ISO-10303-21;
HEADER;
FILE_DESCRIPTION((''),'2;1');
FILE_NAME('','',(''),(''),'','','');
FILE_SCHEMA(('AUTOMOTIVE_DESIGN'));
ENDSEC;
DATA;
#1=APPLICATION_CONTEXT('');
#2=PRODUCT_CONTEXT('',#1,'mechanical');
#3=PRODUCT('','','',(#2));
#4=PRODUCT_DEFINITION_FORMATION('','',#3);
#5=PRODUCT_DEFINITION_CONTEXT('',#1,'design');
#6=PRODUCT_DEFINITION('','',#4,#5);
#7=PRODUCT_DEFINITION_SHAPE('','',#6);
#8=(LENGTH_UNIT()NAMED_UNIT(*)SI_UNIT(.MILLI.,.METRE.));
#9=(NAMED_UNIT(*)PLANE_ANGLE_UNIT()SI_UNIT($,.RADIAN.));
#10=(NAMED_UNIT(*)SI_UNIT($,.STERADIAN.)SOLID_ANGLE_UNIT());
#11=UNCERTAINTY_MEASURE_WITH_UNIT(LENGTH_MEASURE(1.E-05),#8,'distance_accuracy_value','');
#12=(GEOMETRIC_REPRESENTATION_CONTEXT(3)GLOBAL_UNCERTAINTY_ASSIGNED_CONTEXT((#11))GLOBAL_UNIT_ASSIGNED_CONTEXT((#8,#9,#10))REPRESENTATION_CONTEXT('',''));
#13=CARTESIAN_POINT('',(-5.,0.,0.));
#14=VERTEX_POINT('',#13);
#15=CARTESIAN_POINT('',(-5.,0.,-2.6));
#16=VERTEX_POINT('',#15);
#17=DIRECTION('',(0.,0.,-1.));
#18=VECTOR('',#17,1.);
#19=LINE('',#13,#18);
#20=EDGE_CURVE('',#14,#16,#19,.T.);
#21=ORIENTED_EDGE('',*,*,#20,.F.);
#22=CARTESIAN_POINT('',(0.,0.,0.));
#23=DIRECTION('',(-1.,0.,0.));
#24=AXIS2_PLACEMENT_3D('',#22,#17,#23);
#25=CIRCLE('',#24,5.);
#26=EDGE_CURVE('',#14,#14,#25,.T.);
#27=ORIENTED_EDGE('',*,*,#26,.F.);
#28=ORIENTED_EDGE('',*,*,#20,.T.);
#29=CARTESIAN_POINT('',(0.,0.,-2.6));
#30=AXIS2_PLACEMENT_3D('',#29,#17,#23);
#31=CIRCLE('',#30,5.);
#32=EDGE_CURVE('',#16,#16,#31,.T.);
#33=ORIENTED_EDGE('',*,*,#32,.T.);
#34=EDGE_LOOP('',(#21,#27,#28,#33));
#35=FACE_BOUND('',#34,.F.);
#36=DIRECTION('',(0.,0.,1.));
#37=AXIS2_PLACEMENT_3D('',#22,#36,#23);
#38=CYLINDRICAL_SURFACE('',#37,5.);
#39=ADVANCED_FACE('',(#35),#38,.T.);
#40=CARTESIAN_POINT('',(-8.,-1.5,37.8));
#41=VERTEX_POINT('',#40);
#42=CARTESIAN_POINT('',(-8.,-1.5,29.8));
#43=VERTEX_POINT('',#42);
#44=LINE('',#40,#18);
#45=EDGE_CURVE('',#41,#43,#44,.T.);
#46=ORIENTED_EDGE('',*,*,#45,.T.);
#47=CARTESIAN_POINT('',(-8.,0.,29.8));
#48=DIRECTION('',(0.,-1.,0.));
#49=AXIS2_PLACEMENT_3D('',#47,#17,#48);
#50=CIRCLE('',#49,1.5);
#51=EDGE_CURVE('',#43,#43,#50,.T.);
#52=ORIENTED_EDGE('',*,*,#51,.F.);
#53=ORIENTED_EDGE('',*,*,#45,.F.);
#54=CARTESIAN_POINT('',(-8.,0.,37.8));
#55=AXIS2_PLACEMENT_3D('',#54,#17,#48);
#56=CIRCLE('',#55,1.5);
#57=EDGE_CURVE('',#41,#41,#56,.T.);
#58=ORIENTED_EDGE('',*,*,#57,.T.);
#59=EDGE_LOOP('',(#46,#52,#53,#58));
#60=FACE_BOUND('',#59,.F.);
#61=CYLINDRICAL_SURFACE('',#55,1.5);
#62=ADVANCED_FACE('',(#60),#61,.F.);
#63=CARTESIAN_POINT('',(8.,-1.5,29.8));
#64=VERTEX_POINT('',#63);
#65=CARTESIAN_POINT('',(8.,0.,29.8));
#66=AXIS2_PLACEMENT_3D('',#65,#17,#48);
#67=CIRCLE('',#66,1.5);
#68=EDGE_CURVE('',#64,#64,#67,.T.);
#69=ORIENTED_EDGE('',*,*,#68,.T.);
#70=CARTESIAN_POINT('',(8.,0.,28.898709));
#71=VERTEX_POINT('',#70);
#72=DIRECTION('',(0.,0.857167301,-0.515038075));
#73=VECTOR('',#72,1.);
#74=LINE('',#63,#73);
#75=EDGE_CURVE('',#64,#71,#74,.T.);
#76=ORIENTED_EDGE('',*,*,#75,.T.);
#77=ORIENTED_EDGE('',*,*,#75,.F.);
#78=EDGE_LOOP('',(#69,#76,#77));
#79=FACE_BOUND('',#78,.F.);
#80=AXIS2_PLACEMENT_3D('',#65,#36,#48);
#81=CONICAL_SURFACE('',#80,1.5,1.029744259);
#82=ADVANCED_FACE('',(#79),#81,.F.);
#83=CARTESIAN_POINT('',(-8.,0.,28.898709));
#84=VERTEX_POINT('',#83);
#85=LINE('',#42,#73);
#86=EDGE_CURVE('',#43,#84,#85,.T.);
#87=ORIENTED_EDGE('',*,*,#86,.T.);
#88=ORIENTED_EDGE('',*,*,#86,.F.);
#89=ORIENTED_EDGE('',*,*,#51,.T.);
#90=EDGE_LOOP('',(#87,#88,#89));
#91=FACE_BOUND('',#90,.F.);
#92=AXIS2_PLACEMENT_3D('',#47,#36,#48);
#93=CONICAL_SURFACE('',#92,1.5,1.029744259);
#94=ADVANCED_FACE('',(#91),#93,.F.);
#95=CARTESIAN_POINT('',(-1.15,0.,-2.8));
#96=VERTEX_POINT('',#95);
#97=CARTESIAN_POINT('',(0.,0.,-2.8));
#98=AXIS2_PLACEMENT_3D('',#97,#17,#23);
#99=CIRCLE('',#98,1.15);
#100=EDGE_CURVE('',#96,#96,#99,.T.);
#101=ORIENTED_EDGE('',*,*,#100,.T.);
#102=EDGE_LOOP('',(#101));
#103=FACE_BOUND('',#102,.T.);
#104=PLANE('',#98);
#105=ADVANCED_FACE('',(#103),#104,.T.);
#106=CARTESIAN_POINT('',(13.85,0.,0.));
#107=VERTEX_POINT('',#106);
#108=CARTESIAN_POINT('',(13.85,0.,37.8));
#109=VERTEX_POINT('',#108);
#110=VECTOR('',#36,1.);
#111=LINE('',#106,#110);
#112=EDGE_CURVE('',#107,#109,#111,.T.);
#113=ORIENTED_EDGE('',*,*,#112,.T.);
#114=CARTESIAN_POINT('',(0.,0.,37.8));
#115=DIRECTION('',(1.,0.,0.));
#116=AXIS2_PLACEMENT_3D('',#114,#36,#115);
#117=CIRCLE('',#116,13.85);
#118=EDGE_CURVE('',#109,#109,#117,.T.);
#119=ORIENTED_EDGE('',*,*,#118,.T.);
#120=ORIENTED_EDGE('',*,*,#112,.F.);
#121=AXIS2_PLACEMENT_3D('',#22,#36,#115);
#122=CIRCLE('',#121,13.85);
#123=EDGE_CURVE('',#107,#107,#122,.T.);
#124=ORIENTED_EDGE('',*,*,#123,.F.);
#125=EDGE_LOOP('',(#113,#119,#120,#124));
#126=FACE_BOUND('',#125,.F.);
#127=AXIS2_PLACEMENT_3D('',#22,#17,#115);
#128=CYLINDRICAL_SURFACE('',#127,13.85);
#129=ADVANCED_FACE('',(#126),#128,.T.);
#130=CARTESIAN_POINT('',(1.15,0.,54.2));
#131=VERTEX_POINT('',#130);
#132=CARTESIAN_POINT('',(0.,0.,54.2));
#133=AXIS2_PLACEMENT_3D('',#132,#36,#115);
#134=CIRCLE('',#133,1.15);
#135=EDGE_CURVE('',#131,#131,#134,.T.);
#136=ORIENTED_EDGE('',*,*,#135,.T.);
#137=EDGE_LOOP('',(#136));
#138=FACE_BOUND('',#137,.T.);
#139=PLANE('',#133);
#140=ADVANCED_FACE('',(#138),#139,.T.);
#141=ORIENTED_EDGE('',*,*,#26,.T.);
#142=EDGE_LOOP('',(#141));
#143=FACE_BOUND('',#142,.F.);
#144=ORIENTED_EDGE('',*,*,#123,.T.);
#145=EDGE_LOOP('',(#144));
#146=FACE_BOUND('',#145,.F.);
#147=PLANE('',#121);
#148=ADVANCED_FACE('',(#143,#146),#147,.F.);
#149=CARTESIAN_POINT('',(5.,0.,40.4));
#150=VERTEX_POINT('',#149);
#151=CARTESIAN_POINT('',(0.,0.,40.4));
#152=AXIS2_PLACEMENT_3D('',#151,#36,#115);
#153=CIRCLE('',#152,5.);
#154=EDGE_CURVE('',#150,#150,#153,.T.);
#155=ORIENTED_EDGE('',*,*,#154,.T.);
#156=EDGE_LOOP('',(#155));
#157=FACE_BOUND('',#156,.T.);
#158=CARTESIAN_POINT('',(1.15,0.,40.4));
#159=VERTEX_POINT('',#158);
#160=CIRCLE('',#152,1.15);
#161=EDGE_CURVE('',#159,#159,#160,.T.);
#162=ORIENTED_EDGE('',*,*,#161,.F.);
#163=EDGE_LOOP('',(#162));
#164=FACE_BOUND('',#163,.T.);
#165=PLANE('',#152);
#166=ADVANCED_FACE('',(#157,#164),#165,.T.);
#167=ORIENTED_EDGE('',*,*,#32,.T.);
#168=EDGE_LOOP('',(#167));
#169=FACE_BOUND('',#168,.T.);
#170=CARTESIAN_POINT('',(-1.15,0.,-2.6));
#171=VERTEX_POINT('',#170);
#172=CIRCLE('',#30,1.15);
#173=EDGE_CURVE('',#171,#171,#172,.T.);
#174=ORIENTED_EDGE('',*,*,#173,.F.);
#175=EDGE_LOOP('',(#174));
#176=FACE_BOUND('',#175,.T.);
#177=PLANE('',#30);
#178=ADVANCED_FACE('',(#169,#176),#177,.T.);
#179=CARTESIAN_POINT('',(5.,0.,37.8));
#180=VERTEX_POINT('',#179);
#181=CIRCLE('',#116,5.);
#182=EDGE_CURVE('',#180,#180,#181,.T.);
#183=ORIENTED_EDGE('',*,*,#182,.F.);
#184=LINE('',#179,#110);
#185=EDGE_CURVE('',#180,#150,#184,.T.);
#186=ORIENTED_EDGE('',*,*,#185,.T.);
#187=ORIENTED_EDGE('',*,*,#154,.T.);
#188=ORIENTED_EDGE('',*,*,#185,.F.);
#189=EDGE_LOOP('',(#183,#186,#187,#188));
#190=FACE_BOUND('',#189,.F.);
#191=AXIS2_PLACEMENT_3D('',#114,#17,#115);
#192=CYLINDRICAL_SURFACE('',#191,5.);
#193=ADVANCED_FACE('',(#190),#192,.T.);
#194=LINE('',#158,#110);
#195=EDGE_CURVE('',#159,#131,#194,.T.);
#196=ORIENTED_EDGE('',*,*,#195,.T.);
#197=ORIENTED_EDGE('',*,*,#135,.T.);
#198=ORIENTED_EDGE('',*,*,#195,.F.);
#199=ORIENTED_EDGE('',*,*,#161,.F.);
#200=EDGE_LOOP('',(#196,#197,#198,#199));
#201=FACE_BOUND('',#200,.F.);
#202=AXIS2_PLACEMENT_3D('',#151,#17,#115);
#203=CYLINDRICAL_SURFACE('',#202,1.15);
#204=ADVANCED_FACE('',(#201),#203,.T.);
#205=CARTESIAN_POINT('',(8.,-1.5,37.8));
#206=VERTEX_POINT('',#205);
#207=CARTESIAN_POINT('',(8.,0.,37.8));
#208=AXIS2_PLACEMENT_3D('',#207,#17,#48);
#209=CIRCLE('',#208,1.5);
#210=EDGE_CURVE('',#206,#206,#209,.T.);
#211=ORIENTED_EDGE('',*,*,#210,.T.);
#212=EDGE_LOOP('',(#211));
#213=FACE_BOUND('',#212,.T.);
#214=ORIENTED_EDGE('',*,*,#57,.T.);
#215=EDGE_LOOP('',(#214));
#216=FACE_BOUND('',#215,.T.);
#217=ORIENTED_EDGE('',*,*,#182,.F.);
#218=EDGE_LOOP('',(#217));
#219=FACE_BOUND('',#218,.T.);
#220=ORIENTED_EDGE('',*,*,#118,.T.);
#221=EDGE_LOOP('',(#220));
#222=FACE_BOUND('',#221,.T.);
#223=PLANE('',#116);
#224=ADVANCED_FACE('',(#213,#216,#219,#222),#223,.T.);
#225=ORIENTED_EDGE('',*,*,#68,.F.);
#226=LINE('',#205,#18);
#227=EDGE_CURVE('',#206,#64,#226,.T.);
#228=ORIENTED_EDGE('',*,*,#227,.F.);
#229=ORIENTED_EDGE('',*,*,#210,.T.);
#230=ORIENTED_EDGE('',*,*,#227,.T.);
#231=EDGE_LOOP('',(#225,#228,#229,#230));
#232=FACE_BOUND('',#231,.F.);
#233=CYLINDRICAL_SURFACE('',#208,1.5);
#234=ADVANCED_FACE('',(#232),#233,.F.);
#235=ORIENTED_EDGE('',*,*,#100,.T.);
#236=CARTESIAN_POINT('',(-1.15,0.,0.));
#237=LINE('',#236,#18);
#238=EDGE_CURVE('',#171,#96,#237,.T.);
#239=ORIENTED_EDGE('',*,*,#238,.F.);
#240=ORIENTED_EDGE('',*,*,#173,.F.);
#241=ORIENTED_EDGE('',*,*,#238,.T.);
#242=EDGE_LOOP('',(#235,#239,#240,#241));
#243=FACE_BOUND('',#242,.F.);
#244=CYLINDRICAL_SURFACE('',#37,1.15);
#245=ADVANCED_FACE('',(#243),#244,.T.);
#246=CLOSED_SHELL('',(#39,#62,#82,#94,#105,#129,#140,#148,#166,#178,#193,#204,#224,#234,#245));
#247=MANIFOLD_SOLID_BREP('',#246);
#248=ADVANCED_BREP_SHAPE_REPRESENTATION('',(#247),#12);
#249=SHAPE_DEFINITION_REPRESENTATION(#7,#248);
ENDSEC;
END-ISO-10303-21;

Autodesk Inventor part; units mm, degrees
ref_plane "YZ Plane" through (0, 0, 0) normal (1, 0, 0) x (0, 1, 0)
ref_plane "XZ Plane" through (0, 0, 0) normal (0, 1, 0) x (-1, 0, 0)
ref_plane "XY Plane" through (0, 0, 0) normal (0, 0, 1) x (1, 0, 0)
sketch "スケッチ1" plane through (0, 0, 0) normal (0, 0, 1) x (1, 0, 0)
  circle A0 centre (0, 0) radius 13.85
  dimension "d0" = 27.7
extrude "押し出し1" add sketch "スケッチ1" along normal blind 37.8
sketch "スケッチ2" plane through (0, 0, 37.8) normal (0, 0, 1) x (1, 0, 0)
  circle A0 centre (0, 0) radius 5
  dimension "d3" = 10
extrude "押し出し2" add sketch "スケッチ2" along normal blind 2.6
sketch "スケッチ3" plane through (0, 0, 40.4) normal (0, 0, 1) x (1, 0, 0)
  circle A0 centre (0, 0) radius 1.15
  dimension "d6" = 2.3
extrude "押し出し3" add sketch "スケッチ3" along normal blind 13.8
sketch "スケッチ4" plane through (0, 0, 0) normal (0, 0, -1) x (-1, 0, 0)
  circle A0 centre (0, 0) radius 1.15 projected
  circle A1 centre (0, 0) radius 5
  dimension "d9" = 10
extrude "押し出し4" add sketch "スケッチ4" along normal blind 2.6
extrude "押し出し5" add sketch "スケッチ4" along normal blind 2.8 contours A0
sketch "スケッチ5" plane through (0, 0, 37.8) normal (0, 0, 1) x (1, 0, 0)
  circle A0 centre (-8, 0) radius 1.3
  circle A1 centre (8, 0) radius 1.3
  line L0 (-8, 0) -> (8, 0)
  point P0 (0, 0)
  point P1 (0, 0)
  dimension "d14" = 2.6
  dimension "d15" = 2.6
  dimension "d16" = 16
  dimension "d17" = 8
hole "穴1" at (-8, 0, 37.8) at (8, 0, 37.8) direction (0, 0, -1) diameter 3 depth 8 tip angle 118
properties part number "マブチモーター　RS-380PH"
